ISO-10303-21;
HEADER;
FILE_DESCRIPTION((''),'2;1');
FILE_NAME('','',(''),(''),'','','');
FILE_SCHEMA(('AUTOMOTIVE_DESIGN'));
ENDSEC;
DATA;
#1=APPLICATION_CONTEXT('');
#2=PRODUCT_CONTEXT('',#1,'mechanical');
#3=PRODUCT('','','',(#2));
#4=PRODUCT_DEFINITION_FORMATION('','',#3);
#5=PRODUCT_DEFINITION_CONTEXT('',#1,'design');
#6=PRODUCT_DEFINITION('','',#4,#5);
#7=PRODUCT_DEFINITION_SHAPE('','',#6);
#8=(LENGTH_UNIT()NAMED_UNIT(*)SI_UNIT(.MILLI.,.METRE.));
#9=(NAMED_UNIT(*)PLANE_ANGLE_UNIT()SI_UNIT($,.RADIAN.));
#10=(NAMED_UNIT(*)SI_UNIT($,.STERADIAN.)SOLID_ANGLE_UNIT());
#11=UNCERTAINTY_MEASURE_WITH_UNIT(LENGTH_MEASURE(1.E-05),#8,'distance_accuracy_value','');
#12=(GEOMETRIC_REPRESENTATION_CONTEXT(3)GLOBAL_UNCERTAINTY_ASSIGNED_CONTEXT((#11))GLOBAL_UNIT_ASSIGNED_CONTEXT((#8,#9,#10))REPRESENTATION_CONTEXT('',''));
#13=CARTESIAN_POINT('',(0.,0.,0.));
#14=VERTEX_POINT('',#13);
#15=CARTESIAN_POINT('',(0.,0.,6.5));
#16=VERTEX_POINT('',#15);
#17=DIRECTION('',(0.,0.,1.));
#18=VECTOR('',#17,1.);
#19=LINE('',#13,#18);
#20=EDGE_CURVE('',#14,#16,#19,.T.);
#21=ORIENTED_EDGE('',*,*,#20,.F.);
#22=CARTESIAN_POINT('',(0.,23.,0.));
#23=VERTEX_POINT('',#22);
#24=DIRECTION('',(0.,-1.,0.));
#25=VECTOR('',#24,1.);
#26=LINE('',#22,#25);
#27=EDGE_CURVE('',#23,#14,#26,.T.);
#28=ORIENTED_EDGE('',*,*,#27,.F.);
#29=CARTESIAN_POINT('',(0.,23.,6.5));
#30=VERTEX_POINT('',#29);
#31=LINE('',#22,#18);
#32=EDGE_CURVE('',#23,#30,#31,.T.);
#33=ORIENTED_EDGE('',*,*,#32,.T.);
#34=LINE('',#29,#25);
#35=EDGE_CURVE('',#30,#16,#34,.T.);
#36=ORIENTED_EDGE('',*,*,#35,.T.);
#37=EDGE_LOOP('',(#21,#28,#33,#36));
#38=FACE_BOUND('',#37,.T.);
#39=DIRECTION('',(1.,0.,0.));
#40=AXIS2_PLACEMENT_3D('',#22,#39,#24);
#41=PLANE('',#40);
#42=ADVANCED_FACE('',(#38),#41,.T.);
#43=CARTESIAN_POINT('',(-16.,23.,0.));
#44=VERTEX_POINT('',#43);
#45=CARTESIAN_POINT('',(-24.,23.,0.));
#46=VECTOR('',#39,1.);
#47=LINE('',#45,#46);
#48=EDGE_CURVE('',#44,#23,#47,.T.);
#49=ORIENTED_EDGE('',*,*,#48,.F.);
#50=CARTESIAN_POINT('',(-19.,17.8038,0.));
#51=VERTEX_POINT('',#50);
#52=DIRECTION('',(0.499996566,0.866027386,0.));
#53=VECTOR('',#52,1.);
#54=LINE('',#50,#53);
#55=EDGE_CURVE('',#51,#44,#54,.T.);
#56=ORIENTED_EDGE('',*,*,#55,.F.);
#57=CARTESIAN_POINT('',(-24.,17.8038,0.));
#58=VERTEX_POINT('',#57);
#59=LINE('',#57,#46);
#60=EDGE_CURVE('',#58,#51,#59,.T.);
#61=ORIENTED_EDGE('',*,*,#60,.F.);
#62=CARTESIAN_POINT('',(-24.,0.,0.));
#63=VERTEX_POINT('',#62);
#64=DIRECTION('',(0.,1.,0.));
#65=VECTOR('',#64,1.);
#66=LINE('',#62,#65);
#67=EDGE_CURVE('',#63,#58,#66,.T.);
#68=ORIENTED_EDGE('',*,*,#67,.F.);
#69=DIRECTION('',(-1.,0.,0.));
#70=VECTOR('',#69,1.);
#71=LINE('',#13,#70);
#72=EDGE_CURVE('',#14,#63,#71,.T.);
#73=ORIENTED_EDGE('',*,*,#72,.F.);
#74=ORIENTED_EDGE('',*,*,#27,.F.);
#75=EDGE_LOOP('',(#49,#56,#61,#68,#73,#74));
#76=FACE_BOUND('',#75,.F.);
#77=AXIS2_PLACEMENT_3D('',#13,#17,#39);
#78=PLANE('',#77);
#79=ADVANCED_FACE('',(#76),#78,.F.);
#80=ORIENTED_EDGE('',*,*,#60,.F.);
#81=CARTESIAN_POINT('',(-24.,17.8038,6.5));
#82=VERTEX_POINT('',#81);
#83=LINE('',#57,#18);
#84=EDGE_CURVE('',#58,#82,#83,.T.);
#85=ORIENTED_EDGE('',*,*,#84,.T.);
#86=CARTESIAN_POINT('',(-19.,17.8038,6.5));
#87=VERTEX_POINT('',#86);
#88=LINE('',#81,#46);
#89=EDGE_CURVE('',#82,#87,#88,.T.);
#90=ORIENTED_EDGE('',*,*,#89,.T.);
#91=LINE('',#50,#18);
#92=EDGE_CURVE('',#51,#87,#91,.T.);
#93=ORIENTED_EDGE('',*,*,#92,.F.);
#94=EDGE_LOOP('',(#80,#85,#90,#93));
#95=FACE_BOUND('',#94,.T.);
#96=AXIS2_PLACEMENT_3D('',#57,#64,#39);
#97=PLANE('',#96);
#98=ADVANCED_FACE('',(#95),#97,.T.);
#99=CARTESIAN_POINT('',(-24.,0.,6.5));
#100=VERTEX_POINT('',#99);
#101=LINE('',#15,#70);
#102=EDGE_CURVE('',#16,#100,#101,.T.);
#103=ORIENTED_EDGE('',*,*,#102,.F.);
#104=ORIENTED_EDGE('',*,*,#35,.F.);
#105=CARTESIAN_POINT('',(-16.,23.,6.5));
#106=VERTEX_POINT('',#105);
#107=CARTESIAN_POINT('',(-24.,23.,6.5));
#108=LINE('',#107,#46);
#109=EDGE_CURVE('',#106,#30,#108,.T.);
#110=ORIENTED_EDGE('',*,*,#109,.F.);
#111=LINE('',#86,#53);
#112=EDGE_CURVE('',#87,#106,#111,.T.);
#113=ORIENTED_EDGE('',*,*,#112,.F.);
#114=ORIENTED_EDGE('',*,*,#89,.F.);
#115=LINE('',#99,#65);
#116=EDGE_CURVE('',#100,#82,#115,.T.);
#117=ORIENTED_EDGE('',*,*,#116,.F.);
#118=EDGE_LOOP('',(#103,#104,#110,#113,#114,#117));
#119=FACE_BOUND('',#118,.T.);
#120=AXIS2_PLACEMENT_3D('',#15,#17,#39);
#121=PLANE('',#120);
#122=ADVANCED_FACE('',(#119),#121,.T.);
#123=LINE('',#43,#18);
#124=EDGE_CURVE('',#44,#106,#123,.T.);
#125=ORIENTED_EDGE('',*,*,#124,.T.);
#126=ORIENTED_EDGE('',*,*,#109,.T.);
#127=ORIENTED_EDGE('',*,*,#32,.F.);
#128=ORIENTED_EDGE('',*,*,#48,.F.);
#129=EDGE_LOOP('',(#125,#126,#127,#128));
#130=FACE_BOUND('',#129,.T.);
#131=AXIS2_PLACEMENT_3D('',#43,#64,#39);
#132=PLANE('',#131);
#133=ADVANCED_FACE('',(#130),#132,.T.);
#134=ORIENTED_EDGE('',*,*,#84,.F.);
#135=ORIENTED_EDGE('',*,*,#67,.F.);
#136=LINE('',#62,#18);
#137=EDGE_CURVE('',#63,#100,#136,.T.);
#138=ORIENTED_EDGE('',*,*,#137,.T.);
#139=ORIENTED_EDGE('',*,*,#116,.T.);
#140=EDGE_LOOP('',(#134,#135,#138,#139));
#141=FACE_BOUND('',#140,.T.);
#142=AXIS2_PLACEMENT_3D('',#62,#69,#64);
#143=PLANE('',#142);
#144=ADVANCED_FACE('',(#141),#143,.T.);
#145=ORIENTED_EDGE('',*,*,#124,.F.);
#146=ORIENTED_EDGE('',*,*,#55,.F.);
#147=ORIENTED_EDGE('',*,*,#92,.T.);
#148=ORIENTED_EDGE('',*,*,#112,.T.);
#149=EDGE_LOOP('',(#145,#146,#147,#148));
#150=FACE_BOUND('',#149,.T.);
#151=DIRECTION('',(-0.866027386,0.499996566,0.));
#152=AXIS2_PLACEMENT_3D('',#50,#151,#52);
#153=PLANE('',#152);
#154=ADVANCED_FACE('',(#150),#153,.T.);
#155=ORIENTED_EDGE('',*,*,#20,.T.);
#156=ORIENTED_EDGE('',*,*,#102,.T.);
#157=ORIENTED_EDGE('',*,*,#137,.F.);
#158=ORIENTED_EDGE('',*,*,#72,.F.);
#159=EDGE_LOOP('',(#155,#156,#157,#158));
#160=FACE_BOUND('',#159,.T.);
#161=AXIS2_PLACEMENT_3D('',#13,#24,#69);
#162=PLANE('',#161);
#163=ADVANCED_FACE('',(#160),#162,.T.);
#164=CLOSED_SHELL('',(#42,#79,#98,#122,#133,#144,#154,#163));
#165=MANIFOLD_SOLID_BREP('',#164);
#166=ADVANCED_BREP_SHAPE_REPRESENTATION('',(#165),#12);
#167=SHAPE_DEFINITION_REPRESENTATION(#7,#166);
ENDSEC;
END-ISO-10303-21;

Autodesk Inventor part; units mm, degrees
ref_plane "YZ Plane" through (0, 0, 0) normal (1, 0, 0) x (0, 1, 0)
ref_plane "XZ Plane" through (0, 0, 0) normal (0, 1, 0) x (-1, 0, 0)
ref_plane "XY Plane" through (0, 0, 0) normal (0, 0, 1) x (1, 0, 0)
sketch "Sketch1" plane through (0, 0, 0) normal (0, 0, 1) x (1, 0, 0)
  line L0 (0, 0) -> (-24, 0)
  line L1 (-24, 0) -> (-24, 23)
  line L2 (-24, 23) -> (0, 23)
  line L3 (0, 23) -> (0, 0)
  line L4 (-24, 17.8038) -> (-19, 17.8038)
  line L5 (-19, 17.8038) -> (-16, 23)
  dimension "d0" = 23
  dimension "d1" = 24
  dimension "d2" = 120
  dimension "d3" = 5
  dimension "d4" = 6
extrude "Extrusion1" add sketch "Sketch1" along normal blind 6.5 contours L0 L1 L4 L5 L2 L3
properties part number "Cam_SD_base"
